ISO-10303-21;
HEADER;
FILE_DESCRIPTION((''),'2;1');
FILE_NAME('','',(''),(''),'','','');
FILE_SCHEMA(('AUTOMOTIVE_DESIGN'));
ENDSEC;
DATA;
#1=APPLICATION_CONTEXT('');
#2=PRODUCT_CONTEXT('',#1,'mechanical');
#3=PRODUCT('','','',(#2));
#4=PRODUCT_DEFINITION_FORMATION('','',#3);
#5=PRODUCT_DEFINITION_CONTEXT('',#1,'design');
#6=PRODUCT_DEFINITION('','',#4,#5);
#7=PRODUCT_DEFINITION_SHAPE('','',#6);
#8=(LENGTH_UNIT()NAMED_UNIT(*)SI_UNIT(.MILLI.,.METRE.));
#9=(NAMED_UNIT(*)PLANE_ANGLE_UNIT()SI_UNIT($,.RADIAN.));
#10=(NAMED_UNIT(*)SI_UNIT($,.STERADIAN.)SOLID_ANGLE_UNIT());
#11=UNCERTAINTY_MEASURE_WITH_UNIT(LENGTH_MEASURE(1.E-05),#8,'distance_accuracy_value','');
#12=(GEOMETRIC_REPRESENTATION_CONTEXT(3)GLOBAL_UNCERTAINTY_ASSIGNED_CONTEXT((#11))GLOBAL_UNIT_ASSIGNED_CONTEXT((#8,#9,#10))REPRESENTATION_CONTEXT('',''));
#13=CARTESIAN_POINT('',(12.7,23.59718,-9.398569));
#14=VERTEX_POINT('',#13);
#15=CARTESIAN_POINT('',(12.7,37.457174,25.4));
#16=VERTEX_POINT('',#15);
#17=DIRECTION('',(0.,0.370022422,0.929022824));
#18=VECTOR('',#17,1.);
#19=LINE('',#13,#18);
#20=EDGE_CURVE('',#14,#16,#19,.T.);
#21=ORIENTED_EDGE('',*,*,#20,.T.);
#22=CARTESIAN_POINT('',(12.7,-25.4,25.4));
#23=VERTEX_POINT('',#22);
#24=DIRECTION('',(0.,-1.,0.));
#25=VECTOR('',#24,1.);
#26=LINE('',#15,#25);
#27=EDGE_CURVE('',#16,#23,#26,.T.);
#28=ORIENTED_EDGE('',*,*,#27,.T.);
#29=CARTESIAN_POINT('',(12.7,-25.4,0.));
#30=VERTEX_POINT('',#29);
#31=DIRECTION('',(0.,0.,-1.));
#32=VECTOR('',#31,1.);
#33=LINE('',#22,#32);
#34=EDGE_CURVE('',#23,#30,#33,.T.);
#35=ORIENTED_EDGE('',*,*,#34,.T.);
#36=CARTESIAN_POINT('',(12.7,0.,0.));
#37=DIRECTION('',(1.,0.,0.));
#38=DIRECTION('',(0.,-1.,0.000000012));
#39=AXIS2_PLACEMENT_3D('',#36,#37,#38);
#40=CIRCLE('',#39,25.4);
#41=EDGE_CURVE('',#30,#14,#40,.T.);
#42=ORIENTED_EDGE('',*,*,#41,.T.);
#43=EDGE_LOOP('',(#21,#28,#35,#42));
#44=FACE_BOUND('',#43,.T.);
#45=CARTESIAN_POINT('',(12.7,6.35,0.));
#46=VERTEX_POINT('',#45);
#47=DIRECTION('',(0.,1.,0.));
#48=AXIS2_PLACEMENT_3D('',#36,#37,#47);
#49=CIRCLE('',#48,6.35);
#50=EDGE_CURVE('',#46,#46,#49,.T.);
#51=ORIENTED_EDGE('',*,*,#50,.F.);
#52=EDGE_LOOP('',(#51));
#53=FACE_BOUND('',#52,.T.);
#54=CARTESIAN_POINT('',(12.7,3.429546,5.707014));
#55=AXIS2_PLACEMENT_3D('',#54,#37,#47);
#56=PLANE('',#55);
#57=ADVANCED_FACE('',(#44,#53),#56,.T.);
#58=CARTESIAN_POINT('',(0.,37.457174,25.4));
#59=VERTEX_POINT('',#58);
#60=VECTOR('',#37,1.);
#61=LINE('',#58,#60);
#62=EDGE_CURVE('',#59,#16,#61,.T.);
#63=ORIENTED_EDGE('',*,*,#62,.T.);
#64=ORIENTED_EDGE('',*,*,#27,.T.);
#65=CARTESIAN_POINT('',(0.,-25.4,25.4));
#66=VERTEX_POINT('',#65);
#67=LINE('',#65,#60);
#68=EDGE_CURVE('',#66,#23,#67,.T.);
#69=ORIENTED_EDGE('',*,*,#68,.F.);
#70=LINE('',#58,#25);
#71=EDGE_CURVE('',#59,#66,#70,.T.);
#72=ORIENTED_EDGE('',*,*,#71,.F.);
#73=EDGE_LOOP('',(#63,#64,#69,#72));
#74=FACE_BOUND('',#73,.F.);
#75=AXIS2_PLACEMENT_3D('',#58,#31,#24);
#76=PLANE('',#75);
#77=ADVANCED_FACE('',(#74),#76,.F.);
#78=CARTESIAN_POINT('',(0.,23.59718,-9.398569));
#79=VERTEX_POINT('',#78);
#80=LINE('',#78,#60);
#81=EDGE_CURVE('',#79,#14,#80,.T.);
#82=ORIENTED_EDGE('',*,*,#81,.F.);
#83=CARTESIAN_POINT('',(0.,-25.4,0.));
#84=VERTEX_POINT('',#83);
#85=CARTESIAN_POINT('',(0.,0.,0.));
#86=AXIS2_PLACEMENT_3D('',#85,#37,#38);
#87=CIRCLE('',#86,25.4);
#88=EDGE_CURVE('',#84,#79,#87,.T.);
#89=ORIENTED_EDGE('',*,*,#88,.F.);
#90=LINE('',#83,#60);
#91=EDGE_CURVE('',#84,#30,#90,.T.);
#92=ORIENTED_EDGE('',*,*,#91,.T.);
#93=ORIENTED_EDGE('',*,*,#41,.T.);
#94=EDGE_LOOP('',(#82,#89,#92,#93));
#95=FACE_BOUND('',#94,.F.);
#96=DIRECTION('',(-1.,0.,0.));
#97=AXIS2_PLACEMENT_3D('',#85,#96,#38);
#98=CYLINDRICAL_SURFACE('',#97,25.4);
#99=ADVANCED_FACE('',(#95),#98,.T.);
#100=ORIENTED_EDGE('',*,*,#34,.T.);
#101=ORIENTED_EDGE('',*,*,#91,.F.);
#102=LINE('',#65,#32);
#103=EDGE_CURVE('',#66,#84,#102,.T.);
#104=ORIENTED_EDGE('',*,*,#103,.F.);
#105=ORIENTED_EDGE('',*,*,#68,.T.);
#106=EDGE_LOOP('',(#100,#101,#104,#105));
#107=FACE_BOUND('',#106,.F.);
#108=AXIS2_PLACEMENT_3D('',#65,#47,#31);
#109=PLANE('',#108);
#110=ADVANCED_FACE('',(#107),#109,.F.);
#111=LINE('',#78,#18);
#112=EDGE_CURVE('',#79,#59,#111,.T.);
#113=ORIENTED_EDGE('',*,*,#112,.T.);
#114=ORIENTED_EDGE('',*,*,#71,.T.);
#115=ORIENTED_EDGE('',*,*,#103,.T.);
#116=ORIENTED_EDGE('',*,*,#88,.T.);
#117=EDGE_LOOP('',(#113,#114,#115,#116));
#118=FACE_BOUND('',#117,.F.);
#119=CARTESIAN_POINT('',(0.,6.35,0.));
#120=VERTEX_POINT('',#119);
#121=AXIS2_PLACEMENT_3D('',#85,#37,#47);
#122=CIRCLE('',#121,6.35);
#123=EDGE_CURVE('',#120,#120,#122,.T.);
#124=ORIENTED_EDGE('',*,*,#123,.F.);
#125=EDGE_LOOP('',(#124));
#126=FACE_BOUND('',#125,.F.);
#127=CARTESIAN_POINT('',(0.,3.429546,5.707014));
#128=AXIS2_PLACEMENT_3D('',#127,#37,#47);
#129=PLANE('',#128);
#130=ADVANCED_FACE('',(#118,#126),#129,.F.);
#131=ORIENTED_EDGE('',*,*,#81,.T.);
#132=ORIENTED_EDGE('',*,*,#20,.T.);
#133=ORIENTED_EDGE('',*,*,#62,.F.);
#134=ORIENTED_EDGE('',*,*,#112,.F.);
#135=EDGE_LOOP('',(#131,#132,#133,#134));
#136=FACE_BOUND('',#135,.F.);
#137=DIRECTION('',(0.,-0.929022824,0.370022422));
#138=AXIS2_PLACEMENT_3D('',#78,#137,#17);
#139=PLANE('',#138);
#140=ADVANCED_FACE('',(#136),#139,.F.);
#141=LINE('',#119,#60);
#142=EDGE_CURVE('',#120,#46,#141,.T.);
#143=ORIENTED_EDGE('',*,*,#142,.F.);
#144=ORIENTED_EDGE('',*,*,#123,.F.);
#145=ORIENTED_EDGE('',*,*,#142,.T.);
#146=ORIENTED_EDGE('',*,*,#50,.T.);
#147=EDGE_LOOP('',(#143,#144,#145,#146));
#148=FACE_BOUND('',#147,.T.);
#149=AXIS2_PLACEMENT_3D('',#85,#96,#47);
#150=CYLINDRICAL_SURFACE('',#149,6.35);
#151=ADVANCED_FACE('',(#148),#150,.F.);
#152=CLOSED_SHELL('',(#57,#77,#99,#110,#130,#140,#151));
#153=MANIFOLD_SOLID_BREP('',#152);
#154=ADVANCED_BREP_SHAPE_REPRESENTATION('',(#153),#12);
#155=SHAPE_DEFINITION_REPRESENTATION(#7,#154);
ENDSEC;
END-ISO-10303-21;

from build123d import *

# Parameters (mm, degrees)
F0_R     = 6.35
F1_DEPTH = 12.7


with BuildPart() as f1:
    # F0 (on Right) → F1 (new body)
    with BuildSketch(Plane.YZ):
        with BuildLine():
            Line((37.457174, 25.4), (-25.4, 25.4))
            Line((-25.4, 25.4), (-25.4, 0))
            ThreePointArc((-25.4, 0), (-4.784957, -24.945224), (23.59718, -9.398569))
            Line((23.59718, -9.398569), (37.457174, 25.4))
        make_face()
        Circle(F0_R, mode=Mode.SUBTRACT)
    extrude(amount=F1_DEPTH)


solid = f1.part
